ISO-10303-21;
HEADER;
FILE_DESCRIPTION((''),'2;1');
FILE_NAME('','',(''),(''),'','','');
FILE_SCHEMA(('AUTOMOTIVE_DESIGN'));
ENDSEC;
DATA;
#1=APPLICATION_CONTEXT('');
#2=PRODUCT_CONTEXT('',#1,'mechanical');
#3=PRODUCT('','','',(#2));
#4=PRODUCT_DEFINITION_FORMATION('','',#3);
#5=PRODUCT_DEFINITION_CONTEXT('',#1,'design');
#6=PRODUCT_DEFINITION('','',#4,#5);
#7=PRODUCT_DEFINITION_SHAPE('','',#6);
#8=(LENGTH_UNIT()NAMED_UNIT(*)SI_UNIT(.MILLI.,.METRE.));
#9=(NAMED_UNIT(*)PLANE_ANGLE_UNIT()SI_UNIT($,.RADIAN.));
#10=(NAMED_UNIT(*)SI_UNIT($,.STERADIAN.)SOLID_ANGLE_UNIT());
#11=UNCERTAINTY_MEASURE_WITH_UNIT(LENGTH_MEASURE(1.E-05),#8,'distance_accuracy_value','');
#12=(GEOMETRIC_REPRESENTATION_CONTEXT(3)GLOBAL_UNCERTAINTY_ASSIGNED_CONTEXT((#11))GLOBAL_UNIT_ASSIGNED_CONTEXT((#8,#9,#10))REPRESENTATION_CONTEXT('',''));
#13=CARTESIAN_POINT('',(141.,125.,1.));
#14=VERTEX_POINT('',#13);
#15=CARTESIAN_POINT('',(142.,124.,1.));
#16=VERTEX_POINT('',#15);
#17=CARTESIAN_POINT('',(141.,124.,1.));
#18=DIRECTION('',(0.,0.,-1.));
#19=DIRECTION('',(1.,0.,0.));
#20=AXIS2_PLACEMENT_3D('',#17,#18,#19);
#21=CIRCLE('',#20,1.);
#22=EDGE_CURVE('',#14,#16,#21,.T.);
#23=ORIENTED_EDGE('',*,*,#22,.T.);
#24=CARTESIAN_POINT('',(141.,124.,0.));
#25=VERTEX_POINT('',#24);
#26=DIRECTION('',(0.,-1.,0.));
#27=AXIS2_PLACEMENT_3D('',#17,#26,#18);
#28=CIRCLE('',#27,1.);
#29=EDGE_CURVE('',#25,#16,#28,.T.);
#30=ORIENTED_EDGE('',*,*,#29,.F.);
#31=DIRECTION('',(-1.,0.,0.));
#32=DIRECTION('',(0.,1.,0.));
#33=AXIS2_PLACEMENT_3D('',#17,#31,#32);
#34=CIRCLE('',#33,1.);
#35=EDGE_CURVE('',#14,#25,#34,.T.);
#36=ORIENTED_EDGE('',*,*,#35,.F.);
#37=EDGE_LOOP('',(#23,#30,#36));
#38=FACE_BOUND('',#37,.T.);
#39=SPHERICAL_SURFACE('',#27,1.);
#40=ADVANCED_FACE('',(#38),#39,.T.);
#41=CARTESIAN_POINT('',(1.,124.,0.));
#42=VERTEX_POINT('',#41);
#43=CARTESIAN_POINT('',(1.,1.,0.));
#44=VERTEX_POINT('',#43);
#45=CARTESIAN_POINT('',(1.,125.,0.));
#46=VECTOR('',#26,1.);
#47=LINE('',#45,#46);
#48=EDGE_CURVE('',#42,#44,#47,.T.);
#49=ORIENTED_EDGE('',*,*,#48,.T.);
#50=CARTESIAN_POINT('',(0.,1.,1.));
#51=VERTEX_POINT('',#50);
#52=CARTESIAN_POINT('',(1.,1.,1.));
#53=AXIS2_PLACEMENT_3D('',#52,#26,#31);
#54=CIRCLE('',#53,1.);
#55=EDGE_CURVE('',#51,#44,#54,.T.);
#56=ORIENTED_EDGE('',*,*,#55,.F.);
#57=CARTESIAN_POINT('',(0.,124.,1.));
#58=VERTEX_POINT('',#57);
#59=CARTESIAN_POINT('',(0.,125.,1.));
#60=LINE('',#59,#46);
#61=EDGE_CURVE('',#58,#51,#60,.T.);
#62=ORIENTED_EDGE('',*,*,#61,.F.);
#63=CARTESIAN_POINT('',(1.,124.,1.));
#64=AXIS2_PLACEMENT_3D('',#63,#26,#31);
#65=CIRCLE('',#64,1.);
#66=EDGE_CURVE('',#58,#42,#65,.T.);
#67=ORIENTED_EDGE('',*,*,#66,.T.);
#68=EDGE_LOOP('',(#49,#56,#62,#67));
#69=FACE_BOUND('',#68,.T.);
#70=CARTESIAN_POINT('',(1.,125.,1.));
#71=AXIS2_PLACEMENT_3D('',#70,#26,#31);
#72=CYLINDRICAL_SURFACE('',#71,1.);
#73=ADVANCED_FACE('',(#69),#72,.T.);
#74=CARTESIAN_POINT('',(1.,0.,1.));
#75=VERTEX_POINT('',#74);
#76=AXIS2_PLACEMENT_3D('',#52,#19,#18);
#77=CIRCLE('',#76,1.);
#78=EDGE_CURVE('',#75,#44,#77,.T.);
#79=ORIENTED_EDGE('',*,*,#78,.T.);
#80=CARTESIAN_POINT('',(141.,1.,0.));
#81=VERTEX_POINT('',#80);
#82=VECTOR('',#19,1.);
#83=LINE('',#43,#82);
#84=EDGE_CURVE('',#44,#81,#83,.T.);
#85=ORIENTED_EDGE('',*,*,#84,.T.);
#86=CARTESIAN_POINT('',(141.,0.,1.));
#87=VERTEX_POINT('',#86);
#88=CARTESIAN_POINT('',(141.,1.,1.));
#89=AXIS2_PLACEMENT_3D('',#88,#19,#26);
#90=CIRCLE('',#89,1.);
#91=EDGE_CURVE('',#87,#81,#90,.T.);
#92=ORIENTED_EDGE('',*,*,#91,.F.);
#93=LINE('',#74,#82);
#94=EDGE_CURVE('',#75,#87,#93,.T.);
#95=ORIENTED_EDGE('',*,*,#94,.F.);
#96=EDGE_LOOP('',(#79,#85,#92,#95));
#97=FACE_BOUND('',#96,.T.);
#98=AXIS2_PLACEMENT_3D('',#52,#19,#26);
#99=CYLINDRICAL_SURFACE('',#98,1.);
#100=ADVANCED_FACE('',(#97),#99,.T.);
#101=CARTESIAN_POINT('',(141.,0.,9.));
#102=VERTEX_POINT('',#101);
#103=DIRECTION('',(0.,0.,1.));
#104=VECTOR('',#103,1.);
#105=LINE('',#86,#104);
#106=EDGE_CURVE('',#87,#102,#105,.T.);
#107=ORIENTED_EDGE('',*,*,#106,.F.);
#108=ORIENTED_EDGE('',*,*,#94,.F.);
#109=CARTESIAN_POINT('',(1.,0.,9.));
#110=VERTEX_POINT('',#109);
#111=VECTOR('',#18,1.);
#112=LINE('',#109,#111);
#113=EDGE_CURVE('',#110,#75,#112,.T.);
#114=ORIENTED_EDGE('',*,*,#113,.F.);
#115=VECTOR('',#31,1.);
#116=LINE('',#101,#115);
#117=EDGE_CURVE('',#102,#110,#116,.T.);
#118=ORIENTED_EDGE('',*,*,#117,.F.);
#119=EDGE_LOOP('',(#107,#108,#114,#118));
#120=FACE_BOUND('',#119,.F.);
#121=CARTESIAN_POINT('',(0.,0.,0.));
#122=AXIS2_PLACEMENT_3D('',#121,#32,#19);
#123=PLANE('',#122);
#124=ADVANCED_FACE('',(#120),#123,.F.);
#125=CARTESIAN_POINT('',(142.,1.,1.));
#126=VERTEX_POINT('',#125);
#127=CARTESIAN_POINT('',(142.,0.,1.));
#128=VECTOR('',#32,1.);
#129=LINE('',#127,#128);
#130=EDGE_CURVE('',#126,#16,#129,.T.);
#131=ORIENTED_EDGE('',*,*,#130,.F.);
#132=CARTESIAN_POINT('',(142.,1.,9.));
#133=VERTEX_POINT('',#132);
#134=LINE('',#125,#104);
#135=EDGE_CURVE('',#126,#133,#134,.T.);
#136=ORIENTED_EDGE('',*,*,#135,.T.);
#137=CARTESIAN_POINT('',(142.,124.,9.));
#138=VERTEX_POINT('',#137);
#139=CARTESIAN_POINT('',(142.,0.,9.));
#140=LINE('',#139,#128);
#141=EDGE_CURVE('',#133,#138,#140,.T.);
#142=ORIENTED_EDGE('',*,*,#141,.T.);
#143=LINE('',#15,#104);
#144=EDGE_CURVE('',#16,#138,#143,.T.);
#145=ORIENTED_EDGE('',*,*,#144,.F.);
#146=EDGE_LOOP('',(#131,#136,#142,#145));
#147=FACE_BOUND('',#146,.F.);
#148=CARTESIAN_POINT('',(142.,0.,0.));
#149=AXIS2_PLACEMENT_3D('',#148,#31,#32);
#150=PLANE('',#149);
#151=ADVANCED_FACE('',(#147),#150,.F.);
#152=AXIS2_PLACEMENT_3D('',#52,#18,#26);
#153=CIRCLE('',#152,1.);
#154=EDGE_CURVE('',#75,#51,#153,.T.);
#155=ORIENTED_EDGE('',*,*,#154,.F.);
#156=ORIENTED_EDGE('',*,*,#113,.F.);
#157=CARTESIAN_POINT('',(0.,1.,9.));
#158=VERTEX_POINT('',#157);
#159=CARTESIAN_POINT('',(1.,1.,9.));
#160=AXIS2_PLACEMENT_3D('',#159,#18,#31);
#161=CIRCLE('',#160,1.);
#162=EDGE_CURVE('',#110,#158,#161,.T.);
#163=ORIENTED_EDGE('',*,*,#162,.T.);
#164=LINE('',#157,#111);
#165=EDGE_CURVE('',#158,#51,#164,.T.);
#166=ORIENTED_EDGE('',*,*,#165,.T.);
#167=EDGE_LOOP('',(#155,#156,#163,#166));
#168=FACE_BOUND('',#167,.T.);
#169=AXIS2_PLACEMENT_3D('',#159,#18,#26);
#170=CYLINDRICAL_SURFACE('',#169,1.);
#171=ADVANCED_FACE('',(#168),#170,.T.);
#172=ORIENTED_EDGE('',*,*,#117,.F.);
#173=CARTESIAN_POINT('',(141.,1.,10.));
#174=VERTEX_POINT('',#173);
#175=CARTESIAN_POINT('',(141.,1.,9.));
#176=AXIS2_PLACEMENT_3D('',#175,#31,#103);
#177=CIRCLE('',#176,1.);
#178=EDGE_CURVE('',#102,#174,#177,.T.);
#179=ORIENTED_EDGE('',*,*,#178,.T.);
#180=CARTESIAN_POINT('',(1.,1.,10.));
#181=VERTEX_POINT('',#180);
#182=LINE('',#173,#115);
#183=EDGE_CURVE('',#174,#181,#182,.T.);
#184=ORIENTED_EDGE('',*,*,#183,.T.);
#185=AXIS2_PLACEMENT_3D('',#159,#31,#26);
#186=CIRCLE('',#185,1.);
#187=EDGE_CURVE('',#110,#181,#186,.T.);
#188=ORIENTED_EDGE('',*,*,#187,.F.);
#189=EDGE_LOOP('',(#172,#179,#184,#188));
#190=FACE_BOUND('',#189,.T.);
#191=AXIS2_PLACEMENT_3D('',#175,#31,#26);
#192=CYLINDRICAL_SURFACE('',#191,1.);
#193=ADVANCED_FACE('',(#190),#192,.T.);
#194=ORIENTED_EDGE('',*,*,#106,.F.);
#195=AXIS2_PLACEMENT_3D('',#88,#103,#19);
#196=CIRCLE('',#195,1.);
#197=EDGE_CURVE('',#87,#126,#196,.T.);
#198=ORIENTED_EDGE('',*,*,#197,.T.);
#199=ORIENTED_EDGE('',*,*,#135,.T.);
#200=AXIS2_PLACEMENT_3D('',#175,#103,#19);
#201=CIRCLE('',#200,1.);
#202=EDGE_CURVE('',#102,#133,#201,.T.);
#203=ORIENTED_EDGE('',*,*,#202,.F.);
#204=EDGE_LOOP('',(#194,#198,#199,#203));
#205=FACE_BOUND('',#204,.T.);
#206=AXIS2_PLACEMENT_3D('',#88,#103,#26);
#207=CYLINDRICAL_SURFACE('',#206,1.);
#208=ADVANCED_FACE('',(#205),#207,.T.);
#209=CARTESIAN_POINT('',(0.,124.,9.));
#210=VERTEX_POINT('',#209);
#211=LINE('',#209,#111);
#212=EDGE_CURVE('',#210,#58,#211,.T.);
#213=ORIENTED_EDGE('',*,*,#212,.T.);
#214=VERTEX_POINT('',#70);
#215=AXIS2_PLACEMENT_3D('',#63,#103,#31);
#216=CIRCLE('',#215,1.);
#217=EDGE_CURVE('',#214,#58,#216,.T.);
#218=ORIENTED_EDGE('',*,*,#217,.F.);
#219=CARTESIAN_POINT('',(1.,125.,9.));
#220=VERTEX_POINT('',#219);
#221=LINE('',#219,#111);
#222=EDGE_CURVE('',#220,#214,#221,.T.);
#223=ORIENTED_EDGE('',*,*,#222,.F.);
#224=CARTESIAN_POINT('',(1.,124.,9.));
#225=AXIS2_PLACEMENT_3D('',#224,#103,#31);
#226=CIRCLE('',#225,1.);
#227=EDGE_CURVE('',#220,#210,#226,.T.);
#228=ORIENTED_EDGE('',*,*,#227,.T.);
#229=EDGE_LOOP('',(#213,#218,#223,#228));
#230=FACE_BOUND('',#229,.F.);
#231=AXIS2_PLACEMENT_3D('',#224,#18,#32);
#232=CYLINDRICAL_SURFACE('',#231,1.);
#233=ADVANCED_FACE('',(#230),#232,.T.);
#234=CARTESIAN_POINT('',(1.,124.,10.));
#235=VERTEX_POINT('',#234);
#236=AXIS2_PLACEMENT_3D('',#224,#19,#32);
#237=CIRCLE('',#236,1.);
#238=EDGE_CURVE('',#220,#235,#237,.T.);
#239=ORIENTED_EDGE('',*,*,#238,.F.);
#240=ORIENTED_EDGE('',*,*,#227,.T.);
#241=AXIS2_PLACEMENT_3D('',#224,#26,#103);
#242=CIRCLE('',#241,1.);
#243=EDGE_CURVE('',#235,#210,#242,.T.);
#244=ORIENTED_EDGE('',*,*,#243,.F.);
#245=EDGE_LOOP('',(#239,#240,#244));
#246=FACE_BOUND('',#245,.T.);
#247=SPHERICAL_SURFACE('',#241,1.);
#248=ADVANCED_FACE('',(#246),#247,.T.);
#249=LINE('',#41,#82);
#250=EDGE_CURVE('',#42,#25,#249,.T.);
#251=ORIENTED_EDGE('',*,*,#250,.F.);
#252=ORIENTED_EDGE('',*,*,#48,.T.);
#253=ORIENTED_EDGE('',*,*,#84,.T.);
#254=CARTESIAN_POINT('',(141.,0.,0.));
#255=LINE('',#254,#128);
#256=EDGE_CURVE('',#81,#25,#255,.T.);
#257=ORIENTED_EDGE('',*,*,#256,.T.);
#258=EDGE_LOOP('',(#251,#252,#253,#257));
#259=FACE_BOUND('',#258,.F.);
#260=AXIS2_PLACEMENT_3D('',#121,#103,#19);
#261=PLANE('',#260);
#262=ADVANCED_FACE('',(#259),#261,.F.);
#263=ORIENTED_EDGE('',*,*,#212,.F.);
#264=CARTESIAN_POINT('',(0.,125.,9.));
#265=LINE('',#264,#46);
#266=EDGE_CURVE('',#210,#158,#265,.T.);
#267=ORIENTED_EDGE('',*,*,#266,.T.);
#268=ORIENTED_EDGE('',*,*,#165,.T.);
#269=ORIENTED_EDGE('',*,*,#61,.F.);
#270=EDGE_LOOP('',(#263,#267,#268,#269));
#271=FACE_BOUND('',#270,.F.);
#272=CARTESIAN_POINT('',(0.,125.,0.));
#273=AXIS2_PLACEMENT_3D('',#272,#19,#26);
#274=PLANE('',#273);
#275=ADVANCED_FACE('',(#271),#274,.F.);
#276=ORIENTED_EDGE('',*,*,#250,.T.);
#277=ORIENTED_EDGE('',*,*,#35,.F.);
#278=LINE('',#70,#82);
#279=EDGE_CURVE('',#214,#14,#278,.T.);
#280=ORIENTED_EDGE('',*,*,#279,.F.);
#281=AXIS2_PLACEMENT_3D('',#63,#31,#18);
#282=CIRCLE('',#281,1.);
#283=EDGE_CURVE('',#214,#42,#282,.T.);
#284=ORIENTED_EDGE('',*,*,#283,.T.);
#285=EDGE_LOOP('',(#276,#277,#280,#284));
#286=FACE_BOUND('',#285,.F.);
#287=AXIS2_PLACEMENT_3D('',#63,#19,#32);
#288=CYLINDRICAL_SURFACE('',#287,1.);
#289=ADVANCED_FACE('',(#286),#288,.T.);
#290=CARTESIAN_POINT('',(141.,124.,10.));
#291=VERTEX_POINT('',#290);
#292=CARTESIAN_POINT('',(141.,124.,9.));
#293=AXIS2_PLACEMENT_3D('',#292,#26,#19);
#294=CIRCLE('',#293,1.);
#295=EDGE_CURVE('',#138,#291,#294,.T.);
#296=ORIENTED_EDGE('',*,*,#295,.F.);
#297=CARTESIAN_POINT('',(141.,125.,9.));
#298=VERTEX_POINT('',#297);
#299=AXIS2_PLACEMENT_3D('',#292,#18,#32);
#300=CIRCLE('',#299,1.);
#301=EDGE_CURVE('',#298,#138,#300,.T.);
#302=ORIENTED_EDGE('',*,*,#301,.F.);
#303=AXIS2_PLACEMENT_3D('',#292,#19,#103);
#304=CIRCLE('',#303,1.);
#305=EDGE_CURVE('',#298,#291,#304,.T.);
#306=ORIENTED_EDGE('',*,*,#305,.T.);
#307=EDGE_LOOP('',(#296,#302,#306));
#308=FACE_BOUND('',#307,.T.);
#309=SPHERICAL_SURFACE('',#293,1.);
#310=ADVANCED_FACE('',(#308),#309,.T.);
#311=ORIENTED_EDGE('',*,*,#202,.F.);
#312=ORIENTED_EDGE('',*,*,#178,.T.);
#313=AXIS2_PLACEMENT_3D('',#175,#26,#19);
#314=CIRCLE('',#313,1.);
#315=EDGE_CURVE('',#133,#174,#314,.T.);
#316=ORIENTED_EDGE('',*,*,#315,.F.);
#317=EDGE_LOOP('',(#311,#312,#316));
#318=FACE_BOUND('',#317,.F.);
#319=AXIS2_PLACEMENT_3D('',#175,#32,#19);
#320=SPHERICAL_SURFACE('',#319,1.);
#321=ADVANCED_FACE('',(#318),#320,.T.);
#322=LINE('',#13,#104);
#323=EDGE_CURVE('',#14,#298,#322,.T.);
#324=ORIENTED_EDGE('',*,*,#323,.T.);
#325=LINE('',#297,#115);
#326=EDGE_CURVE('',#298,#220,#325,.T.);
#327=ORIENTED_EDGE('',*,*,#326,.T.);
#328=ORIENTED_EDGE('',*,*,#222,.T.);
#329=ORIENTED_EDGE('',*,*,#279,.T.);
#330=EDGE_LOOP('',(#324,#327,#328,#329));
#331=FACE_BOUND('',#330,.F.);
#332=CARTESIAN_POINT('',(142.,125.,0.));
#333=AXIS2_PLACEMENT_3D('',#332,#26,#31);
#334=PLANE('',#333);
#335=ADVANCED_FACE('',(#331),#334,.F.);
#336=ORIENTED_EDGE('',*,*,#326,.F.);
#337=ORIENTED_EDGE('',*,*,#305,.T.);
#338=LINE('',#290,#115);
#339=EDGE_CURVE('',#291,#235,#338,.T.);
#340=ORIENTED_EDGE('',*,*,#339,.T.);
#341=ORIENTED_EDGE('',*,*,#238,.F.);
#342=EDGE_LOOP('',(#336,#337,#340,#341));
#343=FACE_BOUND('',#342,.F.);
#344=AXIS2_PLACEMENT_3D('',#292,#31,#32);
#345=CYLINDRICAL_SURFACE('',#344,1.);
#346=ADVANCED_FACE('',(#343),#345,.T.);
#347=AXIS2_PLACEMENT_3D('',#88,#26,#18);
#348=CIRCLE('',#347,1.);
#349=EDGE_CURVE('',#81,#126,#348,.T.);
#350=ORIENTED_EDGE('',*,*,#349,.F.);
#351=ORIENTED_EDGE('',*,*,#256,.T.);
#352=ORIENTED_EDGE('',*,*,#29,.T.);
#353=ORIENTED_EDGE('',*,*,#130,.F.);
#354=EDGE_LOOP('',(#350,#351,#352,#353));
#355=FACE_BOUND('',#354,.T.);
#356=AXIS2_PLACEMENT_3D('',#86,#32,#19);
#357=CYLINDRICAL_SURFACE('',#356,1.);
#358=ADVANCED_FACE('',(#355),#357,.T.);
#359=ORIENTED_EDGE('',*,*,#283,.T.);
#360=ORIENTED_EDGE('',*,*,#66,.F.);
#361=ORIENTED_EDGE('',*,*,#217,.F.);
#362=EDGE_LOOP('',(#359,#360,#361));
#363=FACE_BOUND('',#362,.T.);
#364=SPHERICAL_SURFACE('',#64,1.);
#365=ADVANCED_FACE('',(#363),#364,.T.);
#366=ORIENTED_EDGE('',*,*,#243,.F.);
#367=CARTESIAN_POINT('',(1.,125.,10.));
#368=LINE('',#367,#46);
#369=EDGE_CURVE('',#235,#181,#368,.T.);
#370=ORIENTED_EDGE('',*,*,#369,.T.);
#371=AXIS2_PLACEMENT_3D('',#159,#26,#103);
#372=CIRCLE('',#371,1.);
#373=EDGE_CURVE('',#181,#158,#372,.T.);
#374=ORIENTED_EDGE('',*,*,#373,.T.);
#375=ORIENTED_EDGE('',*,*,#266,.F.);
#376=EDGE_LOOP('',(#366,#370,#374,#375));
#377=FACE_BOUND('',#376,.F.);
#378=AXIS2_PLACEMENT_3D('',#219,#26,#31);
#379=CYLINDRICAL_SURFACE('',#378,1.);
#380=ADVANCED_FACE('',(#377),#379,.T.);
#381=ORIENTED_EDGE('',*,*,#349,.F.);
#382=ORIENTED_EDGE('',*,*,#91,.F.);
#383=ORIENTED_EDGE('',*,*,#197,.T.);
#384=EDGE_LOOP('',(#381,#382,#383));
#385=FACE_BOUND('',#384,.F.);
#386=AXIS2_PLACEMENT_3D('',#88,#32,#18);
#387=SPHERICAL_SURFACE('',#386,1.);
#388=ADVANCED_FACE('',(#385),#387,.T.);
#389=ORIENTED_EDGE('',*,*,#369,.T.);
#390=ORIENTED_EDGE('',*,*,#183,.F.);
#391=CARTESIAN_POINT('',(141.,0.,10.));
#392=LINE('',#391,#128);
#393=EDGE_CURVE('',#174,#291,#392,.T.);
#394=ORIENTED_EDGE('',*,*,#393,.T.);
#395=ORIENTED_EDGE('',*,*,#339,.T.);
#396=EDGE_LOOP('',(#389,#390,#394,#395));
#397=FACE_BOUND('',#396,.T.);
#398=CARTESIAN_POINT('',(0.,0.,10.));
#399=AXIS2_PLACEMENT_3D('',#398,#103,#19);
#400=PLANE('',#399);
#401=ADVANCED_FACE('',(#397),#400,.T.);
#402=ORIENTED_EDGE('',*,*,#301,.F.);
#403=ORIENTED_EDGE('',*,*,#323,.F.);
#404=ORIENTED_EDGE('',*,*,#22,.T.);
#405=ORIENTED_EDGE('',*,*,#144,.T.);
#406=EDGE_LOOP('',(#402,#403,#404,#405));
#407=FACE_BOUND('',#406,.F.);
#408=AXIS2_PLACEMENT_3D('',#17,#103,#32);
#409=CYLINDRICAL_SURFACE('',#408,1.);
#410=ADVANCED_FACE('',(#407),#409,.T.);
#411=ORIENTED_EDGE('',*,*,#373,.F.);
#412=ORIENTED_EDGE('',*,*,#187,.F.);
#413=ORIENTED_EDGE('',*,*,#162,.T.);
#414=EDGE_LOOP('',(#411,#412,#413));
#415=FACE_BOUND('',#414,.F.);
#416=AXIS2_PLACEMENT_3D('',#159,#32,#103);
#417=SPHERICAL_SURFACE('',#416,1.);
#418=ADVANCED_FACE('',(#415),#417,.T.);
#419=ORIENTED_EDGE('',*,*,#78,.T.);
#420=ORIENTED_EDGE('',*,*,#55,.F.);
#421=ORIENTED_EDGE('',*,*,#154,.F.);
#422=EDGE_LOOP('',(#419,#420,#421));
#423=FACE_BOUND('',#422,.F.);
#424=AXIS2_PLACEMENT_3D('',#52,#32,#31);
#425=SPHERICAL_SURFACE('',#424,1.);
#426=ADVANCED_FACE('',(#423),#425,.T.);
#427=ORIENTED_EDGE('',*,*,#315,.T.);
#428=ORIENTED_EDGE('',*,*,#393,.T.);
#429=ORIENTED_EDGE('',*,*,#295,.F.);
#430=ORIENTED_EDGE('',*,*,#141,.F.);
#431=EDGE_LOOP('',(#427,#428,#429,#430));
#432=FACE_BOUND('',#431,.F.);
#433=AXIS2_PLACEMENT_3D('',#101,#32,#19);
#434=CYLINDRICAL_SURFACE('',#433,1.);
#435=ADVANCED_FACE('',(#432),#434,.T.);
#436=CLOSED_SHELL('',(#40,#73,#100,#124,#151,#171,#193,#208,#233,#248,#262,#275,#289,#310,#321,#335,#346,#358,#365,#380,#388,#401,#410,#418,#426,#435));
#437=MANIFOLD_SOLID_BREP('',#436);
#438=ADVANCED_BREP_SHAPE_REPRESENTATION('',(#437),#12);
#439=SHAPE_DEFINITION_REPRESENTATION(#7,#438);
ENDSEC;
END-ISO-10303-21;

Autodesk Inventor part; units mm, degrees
ref_plane "YZ Plane" through (0, 0, 0) normal (1, 0, 0) x (0, 1, 0)
ref_plane "XZ Plane" through (0, 0, 0) normal (0, 1, 0) x (-1, 0, 0)
ref_plane "XY Plane" through (0, 0, 0) normal (0, 0, 1) x (1, 0, 0)
sketch "草圖1" plane through (0, 0, 0) normal (0, 0, 1) x (1, 0, 0)
  line L0 (0, 0) -> (142, 0)
  line L1 (142, 0) -> (142, 125)
  line L2 (142, 125) -> (0, 125)
  line L3 (0, 125) -> (0, 0)
  dimension "d0" = 125
  dimension "d1" = 142
extrude "擠出1" add sketch "草圖1" along normal blind 10
fillet "圓角1" radius 1 4 edges at (0, 62.5, 10) (142, 62.5, 10) (142, 62.5, 0) (0, 62.5, 0)
fillet "圓角2" radius 1 16 edges at (0.2929, 125, 0.2929) (0, 125, 5) (0.2929, 125, 9.7071) (71, 125, 10) (141.7071, 125, 9.7071) (142, 125, 5) (141.7071, 125, 0.2929) (71, 125, 0) (141.7071, 0, 9.7071) (142, 0, 5) (141.7071, 0, 0.2929) (71, 0, 0) (0.2929, 0, 0.2929) (0, 0, 5) (0.2929, 0, 9.7071) (71, 0, 10)
properties part number "CD殼"
